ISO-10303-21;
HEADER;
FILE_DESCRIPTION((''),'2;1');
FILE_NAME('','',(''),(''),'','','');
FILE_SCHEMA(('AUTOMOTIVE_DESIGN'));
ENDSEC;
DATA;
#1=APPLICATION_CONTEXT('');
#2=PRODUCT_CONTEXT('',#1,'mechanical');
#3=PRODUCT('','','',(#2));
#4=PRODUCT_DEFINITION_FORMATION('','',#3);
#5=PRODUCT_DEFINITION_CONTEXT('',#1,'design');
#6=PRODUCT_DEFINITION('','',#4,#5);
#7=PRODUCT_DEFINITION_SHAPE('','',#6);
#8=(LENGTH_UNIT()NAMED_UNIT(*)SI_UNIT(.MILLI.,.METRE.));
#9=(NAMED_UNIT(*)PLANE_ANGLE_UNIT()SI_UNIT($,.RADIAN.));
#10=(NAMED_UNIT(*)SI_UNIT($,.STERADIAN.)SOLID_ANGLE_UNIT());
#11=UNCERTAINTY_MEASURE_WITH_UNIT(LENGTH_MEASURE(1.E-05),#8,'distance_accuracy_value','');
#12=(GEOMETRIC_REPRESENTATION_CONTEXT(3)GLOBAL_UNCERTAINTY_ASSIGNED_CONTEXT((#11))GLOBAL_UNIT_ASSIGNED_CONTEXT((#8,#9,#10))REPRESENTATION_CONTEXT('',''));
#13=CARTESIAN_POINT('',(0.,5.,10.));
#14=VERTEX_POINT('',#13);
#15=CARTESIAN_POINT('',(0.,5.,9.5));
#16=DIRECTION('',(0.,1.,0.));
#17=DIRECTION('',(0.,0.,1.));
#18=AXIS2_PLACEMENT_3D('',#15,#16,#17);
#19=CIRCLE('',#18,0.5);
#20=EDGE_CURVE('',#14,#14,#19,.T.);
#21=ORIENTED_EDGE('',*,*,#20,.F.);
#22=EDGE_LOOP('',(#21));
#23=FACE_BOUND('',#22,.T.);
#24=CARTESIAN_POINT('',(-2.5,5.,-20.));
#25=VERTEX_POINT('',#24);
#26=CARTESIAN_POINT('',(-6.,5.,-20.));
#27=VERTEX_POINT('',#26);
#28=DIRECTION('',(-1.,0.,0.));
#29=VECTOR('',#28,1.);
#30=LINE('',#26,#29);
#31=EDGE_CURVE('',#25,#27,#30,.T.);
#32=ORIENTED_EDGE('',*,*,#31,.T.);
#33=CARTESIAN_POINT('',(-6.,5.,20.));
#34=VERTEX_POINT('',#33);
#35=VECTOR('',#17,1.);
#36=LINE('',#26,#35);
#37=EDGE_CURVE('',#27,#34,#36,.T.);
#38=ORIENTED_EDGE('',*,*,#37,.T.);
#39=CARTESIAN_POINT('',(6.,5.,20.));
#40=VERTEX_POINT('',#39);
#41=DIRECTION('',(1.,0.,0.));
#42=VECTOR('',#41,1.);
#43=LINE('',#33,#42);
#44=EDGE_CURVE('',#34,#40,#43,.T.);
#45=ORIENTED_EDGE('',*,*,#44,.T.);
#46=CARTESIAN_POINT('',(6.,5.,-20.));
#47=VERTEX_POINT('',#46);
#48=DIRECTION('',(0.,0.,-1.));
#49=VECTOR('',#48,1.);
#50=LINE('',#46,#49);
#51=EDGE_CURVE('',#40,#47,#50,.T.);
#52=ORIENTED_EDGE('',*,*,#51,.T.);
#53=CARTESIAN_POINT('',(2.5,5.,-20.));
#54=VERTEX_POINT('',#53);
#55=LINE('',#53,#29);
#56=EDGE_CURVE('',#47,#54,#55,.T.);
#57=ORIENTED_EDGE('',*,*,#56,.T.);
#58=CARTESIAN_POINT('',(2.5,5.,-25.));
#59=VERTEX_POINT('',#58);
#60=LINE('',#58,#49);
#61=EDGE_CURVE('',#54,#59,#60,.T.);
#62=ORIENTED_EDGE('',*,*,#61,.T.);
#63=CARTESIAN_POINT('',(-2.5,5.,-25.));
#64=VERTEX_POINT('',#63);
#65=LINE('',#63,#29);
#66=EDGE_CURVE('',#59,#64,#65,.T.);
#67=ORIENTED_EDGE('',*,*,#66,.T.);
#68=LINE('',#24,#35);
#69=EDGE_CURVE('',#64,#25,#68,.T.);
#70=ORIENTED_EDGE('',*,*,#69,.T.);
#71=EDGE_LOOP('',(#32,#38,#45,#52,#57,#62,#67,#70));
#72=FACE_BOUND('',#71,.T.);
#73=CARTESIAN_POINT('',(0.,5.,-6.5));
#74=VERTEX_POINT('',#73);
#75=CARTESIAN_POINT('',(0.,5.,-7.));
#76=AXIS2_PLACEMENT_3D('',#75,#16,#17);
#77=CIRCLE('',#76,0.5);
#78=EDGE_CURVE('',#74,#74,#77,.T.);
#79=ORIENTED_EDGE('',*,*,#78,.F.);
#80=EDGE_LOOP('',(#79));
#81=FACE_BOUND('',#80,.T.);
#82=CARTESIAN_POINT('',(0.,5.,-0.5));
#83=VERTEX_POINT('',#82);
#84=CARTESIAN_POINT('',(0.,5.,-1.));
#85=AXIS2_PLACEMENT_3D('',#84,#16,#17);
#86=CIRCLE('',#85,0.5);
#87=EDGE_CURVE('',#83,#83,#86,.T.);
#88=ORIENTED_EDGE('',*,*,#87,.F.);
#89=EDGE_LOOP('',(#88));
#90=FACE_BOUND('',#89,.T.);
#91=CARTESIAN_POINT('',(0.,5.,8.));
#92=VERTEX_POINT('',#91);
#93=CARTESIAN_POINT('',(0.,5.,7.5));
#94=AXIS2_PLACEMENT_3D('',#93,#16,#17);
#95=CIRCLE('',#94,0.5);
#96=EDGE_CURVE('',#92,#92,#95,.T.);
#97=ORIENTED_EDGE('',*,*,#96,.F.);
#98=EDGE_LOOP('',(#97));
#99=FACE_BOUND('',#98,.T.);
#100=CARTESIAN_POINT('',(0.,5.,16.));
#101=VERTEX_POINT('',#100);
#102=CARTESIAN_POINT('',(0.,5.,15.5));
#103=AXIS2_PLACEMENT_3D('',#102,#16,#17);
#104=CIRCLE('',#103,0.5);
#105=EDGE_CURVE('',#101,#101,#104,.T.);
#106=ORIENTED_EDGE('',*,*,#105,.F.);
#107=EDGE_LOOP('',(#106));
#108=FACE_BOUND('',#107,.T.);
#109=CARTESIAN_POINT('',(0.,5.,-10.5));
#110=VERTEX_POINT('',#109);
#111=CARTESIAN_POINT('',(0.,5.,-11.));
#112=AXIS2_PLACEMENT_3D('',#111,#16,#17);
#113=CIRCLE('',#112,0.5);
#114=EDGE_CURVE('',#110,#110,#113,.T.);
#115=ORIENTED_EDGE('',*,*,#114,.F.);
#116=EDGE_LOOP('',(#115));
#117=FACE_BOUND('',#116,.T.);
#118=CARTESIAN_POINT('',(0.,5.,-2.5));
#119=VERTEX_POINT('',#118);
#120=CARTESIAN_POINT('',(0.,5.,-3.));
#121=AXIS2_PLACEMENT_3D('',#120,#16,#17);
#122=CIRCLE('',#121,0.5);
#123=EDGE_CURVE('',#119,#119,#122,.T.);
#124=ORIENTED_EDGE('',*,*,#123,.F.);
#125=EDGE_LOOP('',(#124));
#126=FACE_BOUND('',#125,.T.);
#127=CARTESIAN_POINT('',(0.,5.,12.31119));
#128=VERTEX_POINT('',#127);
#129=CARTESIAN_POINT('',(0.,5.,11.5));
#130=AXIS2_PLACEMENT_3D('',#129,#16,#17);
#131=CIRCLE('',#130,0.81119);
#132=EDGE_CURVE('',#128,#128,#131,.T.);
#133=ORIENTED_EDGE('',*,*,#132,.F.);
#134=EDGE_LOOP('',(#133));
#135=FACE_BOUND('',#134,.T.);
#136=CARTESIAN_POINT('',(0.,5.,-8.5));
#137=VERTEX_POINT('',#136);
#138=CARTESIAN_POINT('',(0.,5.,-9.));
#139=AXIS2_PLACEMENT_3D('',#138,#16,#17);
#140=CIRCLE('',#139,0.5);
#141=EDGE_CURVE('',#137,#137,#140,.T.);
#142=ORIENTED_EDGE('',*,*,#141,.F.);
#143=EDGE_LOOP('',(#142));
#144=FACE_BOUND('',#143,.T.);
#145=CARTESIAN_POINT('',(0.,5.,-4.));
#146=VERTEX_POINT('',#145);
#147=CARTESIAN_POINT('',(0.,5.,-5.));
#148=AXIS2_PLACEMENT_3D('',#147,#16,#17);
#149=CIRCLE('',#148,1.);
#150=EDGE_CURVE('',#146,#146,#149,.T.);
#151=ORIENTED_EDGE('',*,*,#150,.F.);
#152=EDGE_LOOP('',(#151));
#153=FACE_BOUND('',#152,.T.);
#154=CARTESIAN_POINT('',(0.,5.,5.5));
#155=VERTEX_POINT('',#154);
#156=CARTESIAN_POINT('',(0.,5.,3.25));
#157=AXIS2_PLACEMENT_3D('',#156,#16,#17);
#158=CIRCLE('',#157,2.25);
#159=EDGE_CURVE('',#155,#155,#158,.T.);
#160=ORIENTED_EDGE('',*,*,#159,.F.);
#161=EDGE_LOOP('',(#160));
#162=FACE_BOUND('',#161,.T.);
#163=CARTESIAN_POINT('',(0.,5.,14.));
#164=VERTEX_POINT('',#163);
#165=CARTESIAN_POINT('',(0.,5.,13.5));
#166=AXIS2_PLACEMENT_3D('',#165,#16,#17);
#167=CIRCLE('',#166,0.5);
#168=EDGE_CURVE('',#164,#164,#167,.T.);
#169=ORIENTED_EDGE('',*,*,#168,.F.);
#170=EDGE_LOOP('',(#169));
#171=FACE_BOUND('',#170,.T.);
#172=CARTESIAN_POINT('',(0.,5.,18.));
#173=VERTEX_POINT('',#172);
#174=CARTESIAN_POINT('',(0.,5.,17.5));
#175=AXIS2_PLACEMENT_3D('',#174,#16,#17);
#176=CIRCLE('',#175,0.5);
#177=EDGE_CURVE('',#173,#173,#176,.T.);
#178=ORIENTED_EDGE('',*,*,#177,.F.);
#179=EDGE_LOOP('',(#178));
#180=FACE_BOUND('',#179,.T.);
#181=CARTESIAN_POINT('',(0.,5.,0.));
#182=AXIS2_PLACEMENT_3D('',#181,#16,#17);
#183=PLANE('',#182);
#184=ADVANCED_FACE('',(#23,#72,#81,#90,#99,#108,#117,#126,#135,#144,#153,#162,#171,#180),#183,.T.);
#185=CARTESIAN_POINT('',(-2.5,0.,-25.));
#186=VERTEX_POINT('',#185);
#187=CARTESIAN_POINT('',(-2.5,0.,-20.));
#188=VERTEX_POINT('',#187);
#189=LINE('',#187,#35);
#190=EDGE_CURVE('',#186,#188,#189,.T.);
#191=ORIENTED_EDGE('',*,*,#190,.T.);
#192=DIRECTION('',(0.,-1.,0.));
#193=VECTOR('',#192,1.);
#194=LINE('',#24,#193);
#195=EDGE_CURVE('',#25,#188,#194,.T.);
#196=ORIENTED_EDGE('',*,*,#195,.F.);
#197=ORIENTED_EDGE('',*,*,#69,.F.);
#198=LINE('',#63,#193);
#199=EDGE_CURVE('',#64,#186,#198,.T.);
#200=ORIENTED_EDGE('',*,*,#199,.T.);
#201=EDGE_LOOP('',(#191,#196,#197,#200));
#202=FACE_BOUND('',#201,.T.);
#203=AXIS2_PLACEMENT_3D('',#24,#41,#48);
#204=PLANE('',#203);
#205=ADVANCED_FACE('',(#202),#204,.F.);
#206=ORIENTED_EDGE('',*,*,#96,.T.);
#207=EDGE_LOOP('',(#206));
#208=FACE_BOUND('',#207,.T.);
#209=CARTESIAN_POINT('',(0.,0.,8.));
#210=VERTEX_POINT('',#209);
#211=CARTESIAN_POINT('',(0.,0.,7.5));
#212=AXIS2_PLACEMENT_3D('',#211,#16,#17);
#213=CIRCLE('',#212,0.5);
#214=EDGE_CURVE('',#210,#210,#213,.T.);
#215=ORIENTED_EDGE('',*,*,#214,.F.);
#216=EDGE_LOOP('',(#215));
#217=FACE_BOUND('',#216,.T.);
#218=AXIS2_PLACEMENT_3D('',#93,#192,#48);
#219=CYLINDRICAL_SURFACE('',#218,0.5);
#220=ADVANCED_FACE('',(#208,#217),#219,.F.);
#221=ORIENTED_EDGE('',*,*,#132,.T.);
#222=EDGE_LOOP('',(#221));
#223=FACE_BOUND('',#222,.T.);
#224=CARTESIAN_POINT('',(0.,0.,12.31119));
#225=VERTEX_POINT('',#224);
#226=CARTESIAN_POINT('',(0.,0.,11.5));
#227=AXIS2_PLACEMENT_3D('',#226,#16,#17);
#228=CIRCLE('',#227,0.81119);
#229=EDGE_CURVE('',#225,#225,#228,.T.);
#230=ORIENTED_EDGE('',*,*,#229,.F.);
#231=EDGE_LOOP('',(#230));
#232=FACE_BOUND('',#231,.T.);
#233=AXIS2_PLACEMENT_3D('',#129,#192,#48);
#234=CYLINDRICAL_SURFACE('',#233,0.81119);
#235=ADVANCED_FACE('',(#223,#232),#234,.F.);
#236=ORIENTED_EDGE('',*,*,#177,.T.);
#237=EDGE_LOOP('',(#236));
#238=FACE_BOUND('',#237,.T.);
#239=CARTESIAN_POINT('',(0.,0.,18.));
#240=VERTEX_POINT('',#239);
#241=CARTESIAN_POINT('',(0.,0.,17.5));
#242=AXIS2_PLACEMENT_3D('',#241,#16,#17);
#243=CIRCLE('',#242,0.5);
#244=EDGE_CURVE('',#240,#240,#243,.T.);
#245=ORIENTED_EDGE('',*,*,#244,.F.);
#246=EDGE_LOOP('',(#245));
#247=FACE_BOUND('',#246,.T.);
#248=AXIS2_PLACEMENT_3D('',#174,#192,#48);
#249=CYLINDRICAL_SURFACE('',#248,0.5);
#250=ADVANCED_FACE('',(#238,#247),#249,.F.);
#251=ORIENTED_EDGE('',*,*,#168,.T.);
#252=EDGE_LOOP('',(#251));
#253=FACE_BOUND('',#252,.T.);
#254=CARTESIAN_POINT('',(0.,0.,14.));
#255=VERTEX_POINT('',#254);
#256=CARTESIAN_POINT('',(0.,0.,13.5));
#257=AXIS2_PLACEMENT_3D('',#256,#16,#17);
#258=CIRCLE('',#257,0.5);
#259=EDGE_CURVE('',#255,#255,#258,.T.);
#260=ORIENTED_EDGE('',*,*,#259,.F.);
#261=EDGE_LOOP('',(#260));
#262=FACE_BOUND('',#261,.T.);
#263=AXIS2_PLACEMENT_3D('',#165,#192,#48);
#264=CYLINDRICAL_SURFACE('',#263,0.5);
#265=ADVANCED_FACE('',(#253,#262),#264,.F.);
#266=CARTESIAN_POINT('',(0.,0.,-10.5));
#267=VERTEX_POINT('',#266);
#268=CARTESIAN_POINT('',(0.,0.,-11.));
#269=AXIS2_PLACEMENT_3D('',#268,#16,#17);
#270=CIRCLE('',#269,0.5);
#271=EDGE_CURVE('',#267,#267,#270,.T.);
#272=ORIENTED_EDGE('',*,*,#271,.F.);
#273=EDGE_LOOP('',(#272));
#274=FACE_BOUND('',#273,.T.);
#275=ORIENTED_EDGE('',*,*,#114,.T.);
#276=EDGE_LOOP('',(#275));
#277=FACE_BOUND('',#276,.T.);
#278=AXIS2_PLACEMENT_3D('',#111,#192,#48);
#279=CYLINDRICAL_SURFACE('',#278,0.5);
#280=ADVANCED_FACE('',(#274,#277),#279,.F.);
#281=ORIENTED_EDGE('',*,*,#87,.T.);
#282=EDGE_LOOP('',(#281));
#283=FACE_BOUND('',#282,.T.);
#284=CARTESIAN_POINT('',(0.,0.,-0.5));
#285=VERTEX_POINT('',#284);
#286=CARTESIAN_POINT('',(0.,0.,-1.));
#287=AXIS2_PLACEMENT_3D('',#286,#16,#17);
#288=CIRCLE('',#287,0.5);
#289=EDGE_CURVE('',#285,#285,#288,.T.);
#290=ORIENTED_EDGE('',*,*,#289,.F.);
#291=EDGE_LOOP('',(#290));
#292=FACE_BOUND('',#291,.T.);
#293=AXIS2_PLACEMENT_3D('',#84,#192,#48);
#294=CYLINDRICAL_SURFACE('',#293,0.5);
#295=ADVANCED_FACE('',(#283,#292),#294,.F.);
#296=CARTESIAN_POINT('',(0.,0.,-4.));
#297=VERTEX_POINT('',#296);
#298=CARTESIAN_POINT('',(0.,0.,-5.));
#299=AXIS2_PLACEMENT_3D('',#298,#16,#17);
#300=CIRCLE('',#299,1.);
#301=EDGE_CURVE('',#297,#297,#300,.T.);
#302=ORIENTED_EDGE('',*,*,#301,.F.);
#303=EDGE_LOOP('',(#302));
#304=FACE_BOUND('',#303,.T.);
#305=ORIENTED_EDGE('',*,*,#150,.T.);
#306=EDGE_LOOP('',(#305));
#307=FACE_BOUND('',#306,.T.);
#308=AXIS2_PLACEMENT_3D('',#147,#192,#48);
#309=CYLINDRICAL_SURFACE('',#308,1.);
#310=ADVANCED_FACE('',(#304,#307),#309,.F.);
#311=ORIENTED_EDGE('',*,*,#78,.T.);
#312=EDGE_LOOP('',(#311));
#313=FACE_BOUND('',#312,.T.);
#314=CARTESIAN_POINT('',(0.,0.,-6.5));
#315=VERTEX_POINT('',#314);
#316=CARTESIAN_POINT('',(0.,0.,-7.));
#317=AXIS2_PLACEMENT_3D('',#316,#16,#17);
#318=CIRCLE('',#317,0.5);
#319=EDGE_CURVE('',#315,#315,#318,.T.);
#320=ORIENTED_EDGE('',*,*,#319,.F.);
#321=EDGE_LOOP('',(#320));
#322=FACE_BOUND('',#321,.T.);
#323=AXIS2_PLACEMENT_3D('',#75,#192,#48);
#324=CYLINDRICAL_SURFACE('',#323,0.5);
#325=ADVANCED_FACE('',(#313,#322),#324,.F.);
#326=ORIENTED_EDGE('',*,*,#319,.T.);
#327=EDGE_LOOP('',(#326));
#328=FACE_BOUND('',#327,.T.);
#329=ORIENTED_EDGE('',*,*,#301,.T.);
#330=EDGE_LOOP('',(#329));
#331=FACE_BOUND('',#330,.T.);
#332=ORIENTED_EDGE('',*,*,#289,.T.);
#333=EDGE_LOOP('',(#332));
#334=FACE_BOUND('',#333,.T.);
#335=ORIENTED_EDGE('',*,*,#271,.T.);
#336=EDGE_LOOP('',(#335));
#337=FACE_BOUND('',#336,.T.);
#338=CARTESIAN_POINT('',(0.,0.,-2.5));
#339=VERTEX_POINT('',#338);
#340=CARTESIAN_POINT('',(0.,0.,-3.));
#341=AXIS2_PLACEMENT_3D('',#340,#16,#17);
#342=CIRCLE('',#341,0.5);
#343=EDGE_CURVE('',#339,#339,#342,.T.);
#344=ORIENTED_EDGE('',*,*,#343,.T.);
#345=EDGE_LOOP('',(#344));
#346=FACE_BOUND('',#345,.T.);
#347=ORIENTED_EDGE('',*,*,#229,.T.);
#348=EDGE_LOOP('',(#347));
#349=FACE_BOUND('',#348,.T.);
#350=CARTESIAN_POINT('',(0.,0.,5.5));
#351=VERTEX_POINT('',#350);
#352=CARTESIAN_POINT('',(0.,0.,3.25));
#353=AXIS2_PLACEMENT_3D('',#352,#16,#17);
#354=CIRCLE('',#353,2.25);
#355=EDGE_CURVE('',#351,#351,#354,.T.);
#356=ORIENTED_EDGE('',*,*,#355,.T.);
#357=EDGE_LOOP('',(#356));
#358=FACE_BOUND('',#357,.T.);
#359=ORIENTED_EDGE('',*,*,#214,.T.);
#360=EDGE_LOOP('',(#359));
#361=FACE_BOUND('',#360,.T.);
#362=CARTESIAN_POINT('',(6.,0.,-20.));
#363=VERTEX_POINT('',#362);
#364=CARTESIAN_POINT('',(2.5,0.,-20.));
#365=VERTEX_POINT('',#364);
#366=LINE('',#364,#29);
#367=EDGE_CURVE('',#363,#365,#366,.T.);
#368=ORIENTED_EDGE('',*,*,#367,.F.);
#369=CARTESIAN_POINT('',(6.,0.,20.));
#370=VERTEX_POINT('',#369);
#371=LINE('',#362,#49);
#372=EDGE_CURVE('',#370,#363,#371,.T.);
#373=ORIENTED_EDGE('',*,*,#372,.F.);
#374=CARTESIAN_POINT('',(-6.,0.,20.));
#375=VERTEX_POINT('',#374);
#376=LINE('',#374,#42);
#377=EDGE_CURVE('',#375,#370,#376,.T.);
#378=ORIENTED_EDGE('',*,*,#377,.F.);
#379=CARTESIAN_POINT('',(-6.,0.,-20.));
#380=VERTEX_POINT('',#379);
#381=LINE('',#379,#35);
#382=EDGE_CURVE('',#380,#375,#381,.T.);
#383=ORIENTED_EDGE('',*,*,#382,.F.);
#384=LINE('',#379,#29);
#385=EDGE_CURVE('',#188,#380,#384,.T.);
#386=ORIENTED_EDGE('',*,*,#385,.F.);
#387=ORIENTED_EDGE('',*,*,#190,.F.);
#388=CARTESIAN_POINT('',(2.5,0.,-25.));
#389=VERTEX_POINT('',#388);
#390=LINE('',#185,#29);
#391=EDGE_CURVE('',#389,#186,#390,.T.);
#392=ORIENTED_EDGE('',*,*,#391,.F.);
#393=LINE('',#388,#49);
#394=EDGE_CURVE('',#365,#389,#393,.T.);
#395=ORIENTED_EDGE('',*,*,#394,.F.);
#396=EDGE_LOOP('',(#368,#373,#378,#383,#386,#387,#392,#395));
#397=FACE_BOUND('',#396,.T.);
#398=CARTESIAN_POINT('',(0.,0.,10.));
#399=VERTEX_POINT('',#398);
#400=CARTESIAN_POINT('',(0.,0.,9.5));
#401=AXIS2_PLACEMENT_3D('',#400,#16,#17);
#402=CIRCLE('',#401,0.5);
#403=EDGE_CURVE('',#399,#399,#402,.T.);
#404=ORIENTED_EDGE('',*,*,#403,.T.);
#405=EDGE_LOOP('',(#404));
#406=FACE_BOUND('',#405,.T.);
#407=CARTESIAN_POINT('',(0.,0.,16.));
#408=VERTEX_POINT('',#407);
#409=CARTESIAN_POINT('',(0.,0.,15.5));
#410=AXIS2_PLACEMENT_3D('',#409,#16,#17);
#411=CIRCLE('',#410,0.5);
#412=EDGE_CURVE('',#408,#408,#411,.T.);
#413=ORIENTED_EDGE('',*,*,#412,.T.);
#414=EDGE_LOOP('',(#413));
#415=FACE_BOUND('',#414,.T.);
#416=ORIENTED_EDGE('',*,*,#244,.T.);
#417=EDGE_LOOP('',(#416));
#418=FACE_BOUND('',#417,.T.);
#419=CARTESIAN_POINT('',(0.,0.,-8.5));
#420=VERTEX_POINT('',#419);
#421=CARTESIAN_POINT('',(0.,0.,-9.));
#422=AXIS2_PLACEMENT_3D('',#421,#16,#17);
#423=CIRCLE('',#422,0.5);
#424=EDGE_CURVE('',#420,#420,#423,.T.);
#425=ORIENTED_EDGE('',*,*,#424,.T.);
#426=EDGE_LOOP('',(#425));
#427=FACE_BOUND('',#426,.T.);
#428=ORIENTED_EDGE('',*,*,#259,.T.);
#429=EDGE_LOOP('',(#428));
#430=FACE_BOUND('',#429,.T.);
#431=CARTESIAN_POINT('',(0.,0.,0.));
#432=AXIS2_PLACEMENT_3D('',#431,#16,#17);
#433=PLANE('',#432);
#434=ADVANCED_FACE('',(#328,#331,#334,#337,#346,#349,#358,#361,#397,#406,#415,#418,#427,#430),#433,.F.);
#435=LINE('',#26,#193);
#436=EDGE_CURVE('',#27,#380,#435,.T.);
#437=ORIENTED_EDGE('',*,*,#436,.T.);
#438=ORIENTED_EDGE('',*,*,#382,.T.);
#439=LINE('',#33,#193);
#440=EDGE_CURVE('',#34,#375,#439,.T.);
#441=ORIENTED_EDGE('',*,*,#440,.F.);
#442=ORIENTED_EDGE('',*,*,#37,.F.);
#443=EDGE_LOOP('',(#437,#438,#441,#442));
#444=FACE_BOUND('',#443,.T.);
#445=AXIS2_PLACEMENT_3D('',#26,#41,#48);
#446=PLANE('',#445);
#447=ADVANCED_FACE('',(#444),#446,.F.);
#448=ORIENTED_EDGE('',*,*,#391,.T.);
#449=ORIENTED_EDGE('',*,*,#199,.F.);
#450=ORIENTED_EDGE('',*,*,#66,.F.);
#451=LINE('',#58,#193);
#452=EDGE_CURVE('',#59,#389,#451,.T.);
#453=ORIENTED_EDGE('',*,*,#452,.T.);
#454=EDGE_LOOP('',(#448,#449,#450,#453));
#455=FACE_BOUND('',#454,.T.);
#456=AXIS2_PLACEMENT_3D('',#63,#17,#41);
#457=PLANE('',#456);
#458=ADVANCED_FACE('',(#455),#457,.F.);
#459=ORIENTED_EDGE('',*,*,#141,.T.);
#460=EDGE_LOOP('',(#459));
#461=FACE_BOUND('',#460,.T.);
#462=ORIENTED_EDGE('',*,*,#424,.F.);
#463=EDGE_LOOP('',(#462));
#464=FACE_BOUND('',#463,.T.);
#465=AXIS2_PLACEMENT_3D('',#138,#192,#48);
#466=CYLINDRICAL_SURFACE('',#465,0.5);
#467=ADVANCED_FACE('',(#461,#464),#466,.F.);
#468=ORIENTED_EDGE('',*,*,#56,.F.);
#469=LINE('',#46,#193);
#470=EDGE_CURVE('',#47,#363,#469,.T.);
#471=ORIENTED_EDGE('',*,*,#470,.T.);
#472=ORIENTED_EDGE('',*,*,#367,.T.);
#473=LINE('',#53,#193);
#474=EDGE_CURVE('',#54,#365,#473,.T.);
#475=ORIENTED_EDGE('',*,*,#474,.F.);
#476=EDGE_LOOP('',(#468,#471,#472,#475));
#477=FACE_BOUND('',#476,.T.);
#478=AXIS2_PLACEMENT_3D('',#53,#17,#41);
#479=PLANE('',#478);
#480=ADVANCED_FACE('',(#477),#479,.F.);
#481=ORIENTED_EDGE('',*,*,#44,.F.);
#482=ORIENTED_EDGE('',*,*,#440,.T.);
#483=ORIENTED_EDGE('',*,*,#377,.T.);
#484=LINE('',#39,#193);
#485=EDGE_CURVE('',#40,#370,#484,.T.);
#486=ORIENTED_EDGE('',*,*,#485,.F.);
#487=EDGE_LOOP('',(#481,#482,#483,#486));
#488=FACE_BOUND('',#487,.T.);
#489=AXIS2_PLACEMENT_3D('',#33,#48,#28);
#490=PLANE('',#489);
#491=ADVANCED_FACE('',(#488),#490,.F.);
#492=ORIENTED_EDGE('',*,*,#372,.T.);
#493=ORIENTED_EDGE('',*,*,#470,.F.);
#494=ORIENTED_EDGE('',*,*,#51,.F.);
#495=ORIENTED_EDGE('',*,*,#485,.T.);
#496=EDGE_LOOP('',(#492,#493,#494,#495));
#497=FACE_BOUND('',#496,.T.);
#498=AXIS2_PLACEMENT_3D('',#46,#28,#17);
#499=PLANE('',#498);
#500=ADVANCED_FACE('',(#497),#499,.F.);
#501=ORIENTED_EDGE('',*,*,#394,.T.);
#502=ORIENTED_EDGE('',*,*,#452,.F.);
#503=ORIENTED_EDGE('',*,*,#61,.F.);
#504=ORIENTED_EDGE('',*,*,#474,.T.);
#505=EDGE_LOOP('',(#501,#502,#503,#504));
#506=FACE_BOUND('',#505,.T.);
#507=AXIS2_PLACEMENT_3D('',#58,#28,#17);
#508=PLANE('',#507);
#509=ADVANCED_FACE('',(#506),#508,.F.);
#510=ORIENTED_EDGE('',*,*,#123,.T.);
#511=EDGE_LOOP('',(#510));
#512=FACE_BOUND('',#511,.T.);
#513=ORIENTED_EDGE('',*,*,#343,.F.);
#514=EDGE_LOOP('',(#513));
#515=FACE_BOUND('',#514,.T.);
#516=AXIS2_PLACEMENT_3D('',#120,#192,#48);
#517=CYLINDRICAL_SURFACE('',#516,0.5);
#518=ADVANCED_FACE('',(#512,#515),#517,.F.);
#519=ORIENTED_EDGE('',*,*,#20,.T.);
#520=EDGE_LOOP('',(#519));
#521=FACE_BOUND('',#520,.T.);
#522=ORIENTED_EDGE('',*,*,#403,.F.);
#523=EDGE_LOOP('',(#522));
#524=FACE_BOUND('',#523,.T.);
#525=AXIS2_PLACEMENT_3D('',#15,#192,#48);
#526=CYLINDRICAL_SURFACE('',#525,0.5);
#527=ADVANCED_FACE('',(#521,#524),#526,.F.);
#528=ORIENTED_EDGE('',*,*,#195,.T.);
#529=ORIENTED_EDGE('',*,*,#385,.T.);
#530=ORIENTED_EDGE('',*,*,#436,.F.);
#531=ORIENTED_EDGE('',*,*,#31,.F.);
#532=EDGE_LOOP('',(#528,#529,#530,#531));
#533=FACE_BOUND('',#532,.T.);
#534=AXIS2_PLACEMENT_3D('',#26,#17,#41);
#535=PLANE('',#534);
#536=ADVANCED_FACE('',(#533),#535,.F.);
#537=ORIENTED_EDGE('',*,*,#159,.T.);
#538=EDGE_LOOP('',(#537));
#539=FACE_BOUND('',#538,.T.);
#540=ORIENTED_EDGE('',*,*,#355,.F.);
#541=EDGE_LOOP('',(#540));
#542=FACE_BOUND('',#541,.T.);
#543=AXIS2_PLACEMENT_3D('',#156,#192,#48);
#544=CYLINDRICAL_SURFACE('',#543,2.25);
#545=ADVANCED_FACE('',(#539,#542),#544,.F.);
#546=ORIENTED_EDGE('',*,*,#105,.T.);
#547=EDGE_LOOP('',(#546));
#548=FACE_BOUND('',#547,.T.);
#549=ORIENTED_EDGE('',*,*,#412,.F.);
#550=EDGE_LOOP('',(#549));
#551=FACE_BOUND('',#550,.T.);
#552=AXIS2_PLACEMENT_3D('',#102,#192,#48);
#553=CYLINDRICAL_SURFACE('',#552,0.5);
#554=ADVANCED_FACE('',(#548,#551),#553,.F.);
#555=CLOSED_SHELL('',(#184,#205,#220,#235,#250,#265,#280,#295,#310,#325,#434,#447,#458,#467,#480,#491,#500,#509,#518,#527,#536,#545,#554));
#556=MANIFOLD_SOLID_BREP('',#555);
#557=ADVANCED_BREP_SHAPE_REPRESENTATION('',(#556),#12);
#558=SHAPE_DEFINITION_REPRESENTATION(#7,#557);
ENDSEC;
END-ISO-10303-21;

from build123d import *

# Parameters (mm, degrees)
SKETCH1_R           = 0.5
SKETCH1_R_2         = 2.25
SKETCH1_R_3         = 1
SKETCH1_R_4         = 0.811190326
BOSS_EXTRUDE1_DEPTH = 5


with BuildPart() as part:
    # Sketch1 → Boss-Extrude1 (new body)
    with BuildSketch(Plane(origin=(0, 0, 0), x_dir=(1, 0, 0), z_dir=(0, 1, 0))):
        Polygon((-2.5, 20), (-2.5, 25), (2.5, 25), (2.5, 20), (6, 20), (6, -20), (-6, -20), (-6, 20), align=None)
        with Locations(Location((0, 11, 0), (0, 0, 270))):
            Circle(SKETCH1_R, mode=Mode.SUBTRACT)
        with Locations(Location((0, 9, 0), (0, 0, 270))):
            Circle(SKETCH1_R, mode=Mode.SUBTRACT)
        with Locations(Location((0, 7, 0), (0, 0, 270))):
            Circle(SKETCH1_R, mode=Mode.SUBTRACT)
        with Locations(Location((0, 3, 0), (0, 0, 270))):
            Circle(SKETCH1_R, mode=Mode.SUBTRACT)
        with Locations(Location((0, 1, 0), (0, 0, 270))):
            Circle(SKETCH1_R, mode=Mode.SUBTRACT)
        with Locations(Location((0, -7.5, 0), (0, 0, 270))):
            Circle(SKETCH1_R, mode=Mode.SUBTRACT)
        with Locations(Location((0, -9.5, 0), (0, 0, 270))):
            Circle(SKETCH1_R, mode=Mode.SUBTRACT)
        with Locations(Location((0, -13.5, 0), (0, 0, 270))):
            Circle(SKETCH1_R, mode=Mode.SUBTRACT)
        with Locations(Location((0, -15.5, 0), (0, 0, 270))):
            Circle(SKETCH1_R, mode=Mode.SUBTRACT)
        with Locations(Location((0, -17.5, 0), (0, 0, 270))):
            Circle(SKETCH1_R, mode=Mode.SUBTRACT)
        with Locations(Location((0, -3.25, 0), (0, 0, 270))):
            Circle(SKETCH1_R_2, mode=Mode.SUBTRACT)
        with Locations(Location((0, 5, 0), (0, 0, 270))):
            Circle(SKETCH1_R_3, mode=Mode.SUBTRACT)
        with Locations(Location((0, -11.5, 0), (0, 0, 270))):
            Circle(SKETCH1_R_4, mode=Mode.SUBTRACT)
    extrude(amount=BOSS_EXTRUDE1_DEPTH)


solid = part.part
